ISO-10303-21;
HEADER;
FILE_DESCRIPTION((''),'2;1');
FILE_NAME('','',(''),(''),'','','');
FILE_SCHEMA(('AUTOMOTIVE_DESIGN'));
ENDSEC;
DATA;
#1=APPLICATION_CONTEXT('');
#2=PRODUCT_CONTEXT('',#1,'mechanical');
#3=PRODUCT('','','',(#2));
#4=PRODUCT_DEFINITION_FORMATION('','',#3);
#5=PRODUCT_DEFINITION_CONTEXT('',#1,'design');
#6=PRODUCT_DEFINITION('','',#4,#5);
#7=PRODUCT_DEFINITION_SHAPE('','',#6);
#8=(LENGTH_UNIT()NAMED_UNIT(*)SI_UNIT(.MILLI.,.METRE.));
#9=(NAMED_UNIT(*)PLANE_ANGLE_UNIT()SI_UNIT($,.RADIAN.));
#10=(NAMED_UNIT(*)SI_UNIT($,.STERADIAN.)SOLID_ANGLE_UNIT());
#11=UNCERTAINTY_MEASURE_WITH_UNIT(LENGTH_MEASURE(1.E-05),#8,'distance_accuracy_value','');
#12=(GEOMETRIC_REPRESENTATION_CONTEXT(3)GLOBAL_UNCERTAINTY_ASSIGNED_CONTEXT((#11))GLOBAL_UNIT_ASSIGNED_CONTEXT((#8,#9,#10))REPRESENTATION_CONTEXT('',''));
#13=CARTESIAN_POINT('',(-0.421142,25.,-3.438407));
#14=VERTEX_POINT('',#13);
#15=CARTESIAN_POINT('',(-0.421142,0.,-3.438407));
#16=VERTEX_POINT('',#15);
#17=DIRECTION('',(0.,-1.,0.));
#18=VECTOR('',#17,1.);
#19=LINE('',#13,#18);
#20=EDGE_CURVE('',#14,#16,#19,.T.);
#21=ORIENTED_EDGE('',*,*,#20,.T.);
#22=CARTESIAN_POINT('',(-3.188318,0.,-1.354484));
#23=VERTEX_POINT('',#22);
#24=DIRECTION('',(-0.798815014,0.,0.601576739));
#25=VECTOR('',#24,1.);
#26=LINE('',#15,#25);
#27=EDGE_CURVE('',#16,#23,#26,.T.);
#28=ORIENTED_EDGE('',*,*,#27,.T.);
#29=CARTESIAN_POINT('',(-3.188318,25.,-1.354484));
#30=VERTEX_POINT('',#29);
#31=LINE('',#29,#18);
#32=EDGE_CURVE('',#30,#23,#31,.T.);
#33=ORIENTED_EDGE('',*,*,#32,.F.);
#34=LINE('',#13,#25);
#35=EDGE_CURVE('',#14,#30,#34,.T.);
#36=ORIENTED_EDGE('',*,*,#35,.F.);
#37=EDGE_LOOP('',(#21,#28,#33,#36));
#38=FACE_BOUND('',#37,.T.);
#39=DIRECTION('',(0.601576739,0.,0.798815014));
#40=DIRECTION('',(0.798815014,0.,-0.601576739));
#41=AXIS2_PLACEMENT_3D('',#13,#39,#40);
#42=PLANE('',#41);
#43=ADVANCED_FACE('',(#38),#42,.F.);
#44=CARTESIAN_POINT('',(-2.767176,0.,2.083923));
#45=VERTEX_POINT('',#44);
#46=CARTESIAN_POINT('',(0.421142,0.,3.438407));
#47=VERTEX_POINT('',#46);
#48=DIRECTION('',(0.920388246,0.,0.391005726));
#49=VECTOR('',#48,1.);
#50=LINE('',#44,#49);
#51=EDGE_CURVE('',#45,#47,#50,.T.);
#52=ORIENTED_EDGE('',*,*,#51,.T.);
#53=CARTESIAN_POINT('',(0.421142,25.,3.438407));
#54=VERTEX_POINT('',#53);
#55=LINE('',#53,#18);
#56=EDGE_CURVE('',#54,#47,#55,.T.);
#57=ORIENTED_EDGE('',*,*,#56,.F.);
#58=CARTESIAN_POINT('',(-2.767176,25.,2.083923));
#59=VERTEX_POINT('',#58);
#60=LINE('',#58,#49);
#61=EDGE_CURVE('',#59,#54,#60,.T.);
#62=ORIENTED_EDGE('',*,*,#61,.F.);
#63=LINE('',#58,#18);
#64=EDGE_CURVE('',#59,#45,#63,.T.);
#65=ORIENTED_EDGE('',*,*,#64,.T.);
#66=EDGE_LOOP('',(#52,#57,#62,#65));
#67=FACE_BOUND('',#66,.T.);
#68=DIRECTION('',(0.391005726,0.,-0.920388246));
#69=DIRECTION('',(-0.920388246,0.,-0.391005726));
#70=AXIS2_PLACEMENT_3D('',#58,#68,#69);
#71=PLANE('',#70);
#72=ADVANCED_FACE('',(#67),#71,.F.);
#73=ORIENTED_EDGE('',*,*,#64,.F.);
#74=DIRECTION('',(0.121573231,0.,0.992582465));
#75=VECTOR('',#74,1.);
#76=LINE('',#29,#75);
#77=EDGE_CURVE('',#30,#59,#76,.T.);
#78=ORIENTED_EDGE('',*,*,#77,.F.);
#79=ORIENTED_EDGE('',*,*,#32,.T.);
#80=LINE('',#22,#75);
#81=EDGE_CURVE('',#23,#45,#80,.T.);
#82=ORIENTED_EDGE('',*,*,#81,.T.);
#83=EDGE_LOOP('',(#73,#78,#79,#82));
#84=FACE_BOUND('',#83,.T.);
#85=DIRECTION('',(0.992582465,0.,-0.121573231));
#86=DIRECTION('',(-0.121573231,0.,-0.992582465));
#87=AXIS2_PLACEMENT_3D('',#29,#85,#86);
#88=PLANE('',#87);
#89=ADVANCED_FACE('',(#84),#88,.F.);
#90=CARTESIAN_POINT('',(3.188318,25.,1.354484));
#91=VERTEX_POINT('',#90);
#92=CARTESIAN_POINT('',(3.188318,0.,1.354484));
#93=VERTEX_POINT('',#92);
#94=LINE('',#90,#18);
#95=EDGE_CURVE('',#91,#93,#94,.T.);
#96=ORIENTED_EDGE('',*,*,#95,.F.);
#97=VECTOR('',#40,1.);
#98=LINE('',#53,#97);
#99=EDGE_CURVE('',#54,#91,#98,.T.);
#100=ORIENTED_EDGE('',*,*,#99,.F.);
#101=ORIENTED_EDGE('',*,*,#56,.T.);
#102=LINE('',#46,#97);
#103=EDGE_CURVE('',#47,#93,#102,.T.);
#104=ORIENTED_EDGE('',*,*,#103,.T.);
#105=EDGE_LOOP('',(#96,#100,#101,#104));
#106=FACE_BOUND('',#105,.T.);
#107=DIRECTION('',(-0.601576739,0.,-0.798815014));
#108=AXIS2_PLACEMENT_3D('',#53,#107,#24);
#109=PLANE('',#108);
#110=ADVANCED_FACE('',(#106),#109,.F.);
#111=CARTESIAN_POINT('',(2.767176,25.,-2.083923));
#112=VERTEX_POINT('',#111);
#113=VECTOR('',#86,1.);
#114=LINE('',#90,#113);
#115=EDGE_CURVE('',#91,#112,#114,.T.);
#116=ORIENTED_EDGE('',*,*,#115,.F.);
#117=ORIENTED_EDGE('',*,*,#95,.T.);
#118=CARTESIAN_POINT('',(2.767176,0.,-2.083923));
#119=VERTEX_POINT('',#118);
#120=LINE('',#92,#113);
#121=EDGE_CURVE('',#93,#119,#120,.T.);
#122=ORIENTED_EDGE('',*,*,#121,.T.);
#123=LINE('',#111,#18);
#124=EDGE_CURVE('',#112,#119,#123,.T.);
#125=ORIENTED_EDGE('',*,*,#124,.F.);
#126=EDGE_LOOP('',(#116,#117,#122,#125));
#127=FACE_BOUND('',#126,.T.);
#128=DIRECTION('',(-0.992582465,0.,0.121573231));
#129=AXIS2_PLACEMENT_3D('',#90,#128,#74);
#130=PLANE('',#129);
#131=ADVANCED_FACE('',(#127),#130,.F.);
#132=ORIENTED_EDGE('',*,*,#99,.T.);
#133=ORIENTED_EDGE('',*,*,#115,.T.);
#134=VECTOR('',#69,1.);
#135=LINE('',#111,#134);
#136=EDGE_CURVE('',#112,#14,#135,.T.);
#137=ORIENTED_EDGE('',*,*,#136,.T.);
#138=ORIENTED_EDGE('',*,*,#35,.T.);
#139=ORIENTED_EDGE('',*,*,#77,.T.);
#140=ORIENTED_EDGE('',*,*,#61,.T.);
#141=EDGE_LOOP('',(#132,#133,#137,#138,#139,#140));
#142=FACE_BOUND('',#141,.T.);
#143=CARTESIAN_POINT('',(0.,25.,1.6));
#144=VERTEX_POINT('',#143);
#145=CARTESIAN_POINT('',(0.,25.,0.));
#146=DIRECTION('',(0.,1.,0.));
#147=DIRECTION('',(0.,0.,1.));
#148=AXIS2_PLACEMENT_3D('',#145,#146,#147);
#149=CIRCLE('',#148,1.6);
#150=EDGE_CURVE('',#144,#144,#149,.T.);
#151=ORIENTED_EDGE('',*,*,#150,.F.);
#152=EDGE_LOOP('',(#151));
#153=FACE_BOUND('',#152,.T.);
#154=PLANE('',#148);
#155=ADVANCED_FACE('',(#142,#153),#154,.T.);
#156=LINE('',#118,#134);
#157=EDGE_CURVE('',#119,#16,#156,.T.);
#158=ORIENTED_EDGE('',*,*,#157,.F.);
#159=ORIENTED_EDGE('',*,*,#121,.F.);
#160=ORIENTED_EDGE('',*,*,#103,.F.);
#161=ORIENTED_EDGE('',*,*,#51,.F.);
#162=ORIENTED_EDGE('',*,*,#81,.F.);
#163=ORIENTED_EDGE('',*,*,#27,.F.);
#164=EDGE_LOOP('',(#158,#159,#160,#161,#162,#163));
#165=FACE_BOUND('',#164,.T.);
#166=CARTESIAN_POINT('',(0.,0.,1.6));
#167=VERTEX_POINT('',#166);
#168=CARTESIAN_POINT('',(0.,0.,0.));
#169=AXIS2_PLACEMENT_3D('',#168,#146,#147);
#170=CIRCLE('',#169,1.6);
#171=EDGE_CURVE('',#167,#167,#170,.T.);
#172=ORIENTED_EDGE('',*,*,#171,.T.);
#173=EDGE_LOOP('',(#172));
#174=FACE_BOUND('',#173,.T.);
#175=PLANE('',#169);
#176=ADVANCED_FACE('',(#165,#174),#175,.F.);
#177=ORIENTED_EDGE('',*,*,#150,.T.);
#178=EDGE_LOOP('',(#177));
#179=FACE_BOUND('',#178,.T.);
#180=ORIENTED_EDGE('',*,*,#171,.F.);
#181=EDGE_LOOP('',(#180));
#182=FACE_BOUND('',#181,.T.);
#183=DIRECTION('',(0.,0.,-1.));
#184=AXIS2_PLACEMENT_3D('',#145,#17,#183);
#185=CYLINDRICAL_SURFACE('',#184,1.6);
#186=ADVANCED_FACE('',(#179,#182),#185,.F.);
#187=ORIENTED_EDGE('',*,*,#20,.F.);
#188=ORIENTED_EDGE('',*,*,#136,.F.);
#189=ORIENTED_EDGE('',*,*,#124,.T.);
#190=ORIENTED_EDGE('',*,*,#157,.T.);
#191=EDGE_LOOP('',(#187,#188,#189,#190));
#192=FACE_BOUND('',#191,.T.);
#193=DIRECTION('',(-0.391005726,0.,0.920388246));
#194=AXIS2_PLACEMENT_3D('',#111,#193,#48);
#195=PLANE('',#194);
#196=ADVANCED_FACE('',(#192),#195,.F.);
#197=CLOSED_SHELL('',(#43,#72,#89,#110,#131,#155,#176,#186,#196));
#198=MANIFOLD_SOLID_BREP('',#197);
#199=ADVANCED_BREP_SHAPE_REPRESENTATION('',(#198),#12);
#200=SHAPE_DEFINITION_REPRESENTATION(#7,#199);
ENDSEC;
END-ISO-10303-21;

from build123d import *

# Parameters (mm, degrees)
SKETCH_1_R      = 1.6
EXTRUDE_1_DEPTH = 25


with BuildPart() as part:
    # 草图1 → 凸台-拉伸1 (new body)
    with BuildSketch(Plane(origin=(0, 0, 0), x_dir=(1, 0, 0), z_dir=(0, 1, 0))):
        Polygon((2.767176381, 2.083922954), (-0.421142027, 3.438406519), (-3.188318408, 1.354483566), (-2.767176381, -2.083922954), (0.421142027, -3.438406519), (3.188318408, -1.354483566), align=None)
        Circle(SKETCH_1_R, mode=Mode.SUBTRACT)
    extrude(amount=EXTRUDE_1_DEPTH)


solid = part.part
